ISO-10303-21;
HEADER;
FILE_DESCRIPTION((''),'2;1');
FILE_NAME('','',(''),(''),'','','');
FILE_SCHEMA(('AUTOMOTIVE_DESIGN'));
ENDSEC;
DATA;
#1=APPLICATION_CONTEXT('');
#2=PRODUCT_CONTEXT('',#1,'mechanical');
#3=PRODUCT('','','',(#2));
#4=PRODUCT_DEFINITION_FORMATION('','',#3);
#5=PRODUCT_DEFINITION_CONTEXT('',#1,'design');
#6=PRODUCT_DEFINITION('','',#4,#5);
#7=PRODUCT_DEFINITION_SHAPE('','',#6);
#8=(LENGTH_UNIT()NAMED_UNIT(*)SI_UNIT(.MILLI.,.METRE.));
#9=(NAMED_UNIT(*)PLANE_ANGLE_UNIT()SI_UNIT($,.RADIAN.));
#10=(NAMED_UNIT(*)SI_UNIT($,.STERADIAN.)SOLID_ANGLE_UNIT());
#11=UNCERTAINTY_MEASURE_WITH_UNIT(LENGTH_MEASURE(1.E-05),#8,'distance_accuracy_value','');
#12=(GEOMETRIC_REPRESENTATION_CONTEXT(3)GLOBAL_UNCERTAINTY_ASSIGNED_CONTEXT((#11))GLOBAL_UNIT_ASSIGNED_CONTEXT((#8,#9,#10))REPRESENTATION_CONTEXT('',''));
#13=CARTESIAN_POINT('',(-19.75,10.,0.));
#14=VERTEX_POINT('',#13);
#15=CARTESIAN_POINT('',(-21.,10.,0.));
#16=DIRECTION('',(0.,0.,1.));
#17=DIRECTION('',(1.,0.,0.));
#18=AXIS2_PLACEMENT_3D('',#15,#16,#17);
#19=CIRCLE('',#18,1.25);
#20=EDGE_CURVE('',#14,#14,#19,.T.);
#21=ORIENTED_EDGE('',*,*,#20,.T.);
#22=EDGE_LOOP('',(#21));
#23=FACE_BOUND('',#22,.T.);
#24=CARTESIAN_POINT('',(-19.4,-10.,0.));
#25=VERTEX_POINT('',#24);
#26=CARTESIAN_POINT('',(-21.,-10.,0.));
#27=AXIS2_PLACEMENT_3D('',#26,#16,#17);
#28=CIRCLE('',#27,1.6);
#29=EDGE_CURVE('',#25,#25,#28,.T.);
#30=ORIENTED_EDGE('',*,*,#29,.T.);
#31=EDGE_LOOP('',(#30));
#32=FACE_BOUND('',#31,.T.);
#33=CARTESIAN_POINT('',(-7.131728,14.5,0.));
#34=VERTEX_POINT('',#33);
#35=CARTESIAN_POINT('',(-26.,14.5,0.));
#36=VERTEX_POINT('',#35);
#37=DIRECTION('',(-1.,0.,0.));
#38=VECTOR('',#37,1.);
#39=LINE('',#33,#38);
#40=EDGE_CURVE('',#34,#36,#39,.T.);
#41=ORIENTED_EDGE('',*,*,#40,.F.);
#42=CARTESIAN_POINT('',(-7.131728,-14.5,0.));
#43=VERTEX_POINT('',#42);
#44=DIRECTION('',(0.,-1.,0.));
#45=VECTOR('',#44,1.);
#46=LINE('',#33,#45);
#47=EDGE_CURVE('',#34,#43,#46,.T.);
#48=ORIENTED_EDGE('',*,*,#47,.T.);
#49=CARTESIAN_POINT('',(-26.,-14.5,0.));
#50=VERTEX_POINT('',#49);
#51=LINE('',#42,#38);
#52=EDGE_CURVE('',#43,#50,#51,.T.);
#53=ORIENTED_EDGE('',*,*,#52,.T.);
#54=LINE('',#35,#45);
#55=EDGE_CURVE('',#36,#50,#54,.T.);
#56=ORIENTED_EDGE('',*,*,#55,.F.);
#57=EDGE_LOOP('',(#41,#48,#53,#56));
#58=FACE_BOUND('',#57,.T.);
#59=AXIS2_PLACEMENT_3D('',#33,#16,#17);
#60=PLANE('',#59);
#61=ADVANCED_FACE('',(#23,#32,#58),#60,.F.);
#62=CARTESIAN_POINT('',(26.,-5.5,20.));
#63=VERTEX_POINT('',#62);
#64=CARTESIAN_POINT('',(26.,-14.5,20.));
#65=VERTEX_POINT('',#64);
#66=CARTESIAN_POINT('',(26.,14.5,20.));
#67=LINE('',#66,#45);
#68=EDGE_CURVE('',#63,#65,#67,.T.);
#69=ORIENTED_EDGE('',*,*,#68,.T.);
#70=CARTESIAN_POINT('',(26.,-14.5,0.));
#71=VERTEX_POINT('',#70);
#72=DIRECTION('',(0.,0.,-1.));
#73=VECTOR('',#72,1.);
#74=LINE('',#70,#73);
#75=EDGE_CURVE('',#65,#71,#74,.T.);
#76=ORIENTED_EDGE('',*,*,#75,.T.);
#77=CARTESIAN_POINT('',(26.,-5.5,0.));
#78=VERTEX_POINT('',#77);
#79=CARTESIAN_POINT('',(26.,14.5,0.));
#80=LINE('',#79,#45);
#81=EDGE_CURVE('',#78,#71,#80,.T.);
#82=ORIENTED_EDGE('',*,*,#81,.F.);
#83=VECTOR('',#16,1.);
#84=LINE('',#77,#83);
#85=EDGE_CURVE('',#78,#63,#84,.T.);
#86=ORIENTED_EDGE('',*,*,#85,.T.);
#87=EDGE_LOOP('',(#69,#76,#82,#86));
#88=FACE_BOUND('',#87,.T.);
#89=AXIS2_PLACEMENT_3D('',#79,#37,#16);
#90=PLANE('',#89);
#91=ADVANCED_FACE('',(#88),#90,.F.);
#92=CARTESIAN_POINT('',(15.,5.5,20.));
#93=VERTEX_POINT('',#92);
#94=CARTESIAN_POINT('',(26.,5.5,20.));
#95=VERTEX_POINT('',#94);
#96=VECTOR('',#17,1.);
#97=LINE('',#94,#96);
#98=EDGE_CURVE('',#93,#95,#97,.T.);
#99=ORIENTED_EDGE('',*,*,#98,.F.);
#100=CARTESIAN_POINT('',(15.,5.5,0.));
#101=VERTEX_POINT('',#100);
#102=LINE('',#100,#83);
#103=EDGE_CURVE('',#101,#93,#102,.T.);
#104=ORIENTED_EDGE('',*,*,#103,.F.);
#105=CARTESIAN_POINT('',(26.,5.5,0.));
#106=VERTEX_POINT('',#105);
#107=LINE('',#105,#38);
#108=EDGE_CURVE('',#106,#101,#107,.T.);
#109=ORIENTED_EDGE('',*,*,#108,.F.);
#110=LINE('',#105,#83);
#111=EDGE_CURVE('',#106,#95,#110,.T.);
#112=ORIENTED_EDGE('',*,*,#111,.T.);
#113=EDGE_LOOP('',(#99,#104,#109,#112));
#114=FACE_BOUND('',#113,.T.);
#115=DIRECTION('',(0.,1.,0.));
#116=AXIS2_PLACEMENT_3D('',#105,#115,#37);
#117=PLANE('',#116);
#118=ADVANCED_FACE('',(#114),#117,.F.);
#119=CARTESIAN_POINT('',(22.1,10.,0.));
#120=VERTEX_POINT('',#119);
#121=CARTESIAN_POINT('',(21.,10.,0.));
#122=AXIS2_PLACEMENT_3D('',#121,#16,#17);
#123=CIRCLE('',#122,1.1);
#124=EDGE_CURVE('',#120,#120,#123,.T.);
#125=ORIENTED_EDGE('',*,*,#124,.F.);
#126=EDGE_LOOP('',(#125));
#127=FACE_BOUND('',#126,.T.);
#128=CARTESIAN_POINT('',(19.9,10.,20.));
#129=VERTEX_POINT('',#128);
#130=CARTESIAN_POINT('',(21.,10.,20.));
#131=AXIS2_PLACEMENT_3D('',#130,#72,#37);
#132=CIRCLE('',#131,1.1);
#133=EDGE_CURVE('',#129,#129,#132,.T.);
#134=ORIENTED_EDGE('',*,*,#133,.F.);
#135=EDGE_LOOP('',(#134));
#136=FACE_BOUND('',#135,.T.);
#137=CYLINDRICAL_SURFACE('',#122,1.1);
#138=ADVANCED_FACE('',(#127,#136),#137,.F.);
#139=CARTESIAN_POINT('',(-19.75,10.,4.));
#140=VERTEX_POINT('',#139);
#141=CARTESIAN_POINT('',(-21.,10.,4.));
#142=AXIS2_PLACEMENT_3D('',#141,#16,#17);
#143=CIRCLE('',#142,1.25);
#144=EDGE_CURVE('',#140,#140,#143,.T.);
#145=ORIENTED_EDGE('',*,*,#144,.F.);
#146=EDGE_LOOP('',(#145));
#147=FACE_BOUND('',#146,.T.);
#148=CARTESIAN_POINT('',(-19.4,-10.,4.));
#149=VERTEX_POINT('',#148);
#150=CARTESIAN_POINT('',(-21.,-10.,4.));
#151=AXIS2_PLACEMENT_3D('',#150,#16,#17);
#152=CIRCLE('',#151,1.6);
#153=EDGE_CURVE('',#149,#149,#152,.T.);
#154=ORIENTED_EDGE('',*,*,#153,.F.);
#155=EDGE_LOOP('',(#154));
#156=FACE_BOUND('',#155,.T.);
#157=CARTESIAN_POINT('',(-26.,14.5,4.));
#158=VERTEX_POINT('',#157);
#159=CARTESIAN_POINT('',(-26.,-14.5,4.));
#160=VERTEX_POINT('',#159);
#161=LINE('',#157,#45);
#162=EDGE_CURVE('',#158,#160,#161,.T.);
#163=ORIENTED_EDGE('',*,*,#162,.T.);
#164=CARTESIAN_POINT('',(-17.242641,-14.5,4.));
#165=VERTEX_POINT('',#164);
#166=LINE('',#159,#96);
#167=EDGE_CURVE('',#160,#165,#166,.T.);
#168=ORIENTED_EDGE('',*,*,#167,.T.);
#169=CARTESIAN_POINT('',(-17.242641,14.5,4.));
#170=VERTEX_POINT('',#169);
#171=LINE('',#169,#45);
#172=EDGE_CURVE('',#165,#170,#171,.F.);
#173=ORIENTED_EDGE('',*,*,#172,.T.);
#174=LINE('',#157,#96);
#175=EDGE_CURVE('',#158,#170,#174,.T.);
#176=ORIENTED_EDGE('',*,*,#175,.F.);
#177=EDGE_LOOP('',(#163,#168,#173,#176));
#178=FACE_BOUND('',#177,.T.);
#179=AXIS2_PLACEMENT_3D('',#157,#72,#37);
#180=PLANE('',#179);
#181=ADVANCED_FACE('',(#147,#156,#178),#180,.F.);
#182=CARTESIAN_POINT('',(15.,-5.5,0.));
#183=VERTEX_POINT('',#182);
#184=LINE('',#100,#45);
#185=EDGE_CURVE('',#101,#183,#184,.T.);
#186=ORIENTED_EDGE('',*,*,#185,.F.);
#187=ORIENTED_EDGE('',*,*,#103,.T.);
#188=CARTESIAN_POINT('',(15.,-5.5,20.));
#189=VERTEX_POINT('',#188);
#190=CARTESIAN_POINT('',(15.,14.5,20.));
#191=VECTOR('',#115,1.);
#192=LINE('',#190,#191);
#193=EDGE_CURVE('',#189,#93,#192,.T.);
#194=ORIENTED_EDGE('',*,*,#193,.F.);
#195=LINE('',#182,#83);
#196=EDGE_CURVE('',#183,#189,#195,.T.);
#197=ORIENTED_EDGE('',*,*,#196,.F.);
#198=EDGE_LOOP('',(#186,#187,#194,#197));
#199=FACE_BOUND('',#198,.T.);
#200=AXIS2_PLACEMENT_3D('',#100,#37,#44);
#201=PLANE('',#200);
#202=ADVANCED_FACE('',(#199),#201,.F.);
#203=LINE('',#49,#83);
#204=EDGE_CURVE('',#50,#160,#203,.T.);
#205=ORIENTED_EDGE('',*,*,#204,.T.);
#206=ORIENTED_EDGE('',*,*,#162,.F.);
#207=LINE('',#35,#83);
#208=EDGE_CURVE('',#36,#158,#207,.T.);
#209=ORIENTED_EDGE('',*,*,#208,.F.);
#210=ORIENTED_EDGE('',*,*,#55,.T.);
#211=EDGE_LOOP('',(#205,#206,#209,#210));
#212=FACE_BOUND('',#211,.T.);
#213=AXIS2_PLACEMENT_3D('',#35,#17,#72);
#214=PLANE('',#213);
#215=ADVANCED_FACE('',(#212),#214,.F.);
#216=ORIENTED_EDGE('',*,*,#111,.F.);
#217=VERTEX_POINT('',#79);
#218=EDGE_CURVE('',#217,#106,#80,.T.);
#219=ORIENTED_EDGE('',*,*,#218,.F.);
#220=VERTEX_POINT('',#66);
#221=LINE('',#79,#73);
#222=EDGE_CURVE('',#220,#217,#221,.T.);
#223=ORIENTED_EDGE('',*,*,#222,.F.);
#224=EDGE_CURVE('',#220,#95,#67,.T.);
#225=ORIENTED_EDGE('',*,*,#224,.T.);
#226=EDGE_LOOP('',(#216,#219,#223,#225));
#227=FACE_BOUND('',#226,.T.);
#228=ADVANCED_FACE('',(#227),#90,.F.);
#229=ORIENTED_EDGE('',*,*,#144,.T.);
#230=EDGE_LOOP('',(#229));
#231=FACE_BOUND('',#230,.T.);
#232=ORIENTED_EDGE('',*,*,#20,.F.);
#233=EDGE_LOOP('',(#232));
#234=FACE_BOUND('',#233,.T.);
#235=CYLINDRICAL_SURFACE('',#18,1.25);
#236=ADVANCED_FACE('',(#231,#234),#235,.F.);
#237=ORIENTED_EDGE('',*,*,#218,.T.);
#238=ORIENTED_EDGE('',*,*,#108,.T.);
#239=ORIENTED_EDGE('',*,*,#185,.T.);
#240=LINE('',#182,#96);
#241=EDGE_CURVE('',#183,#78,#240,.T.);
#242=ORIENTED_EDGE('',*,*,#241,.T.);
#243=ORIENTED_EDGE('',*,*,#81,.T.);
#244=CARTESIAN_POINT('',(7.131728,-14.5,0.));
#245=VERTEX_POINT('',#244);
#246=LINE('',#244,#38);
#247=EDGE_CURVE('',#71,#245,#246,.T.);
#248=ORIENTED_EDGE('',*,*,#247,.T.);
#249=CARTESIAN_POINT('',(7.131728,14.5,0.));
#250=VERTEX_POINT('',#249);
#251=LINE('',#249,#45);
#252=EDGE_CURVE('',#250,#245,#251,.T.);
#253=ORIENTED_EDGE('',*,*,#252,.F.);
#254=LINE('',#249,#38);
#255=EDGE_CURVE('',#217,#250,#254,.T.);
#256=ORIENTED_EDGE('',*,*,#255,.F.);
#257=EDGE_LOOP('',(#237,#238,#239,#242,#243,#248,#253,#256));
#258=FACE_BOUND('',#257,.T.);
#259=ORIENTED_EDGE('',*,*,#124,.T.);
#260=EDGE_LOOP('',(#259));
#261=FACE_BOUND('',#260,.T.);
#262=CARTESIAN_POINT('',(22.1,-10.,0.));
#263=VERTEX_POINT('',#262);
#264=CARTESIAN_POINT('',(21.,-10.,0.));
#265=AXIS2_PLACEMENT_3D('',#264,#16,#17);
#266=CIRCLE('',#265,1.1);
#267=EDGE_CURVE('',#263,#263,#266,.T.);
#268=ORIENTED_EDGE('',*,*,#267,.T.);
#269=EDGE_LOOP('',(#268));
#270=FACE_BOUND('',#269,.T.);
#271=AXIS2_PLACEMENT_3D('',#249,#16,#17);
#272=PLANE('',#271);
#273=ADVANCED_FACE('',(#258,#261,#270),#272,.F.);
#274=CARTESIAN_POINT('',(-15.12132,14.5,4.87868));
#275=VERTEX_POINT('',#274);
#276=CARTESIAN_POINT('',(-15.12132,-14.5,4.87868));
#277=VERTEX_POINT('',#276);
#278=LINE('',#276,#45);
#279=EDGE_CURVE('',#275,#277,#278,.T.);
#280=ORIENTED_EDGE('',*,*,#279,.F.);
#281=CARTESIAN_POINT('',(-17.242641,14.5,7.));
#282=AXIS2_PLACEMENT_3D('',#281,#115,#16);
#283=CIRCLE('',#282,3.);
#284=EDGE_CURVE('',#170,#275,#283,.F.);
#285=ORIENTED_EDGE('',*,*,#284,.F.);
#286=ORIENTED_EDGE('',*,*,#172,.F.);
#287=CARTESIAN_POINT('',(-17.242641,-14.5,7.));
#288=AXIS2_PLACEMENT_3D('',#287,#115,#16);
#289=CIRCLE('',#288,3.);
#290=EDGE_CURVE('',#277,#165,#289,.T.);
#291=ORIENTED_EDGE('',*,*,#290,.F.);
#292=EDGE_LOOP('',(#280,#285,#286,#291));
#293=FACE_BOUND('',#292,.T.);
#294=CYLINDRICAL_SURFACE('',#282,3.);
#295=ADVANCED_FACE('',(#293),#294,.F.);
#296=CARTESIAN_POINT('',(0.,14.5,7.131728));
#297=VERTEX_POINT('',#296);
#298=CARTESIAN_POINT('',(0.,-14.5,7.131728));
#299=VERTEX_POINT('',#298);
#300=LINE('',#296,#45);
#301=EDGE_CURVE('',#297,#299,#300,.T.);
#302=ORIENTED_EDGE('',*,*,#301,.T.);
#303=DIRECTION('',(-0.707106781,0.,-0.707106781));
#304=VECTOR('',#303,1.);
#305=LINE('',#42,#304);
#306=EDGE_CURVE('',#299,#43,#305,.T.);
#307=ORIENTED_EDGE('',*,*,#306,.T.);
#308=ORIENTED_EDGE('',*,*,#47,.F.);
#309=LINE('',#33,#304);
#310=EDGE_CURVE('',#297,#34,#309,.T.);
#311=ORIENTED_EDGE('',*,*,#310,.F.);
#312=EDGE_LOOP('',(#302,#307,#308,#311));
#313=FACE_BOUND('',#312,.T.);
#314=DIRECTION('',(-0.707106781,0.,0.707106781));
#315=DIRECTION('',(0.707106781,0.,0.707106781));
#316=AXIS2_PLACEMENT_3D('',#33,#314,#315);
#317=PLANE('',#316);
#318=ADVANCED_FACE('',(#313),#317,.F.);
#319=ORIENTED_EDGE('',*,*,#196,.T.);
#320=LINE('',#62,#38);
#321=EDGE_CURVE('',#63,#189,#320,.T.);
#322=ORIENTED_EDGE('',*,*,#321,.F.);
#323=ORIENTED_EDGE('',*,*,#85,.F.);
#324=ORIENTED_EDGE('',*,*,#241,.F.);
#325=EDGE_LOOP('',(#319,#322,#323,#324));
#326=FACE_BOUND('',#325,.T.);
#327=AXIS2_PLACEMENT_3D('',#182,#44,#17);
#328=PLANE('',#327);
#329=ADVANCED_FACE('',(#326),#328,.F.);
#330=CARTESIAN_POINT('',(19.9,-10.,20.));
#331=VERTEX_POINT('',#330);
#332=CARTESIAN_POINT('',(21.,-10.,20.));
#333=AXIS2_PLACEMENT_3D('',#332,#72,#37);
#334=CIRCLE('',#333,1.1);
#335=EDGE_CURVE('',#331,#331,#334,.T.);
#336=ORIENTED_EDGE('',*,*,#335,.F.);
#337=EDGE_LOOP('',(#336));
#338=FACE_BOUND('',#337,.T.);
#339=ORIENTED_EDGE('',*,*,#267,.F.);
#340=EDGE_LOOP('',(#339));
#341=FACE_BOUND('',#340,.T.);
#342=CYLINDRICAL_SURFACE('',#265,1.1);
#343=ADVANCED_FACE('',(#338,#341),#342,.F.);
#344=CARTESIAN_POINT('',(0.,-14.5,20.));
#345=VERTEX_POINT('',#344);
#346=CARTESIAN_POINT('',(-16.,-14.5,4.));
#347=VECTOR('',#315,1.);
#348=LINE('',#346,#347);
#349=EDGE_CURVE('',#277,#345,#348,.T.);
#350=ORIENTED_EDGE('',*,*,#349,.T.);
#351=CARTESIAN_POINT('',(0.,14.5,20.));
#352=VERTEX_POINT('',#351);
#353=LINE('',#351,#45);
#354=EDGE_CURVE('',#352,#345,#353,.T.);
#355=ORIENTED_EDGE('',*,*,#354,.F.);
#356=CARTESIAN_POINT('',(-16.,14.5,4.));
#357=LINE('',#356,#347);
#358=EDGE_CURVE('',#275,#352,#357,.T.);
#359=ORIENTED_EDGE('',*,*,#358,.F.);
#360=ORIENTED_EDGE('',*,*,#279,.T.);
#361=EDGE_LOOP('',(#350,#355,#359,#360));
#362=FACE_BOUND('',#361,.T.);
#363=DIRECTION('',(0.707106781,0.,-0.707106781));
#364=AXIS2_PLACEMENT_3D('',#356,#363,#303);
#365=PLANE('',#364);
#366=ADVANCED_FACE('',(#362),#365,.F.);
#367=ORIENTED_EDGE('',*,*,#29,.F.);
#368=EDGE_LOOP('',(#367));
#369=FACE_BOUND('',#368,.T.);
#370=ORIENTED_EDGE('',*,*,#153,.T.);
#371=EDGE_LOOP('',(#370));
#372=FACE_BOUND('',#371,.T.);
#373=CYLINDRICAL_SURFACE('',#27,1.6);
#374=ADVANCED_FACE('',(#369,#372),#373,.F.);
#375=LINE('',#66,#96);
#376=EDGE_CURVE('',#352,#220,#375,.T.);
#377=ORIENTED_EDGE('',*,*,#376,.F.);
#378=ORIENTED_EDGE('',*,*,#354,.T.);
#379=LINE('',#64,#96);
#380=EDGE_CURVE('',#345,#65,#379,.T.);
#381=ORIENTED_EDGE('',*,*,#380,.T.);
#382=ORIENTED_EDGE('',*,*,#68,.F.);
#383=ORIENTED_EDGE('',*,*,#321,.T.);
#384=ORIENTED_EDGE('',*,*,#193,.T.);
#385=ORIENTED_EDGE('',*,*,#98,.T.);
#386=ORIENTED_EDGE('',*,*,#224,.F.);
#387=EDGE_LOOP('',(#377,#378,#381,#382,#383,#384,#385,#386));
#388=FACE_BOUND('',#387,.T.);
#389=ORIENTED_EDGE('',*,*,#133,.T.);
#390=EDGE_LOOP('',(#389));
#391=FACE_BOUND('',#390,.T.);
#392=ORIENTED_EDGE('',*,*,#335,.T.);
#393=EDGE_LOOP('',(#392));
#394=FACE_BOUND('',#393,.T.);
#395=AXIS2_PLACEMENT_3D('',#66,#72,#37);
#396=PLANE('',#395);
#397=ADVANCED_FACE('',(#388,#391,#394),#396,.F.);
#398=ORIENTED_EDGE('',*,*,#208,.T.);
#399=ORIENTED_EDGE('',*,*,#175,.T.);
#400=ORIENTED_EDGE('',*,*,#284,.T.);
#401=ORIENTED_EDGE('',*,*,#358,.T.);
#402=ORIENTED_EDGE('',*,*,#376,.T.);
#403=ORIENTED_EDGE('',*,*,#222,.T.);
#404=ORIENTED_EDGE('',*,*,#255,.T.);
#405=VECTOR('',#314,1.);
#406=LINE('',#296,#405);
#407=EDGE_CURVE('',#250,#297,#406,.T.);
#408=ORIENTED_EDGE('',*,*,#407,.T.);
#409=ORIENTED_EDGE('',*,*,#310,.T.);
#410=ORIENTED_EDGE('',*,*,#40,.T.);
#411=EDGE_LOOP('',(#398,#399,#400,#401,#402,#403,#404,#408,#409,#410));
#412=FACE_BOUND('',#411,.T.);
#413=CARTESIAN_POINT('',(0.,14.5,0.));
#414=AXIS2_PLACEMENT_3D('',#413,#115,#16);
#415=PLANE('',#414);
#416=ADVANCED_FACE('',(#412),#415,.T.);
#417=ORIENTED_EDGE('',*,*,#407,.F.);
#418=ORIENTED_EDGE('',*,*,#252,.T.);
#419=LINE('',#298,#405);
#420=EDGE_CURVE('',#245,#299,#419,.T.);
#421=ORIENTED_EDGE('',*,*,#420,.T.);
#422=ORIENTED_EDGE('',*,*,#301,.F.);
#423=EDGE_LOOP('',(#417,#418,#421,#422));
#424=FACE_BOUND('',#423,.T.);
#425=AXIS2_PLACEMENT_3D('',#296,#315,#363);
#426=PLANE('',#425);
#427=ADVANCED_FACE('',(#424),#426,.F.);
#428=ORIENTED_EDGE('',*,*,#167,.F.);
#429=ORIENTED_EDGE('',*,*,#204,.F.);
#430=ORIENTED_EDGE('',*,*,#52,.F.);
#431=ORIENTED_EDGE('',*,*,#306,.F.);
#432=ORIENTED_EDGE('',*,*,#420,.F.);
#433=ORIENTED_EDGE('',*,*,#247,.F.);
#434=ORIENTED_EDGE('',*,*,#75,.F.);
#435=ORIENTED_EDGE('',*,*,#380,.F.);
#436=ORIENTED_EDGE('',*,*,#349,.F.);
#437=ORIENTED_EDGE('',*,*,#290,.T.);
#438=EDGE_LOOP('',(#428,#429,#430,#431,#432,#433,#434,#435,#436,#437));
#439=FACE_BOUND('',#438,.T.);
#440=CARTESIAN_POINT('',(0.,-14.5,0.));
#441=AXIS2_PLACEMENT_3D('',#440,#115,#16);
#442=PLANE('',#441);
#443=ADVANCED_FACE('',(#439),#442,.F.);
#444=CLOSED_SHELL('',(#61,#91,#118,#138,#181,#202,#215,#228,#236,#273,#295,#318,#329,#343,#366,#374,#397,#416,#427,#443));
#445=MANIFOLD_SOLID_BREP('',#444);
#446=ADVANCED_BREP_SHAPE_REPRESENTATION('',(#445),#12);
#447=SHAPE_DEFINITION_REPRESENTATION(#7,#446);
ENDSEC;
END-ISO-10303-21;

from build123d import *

# Parameters (mm, degrees)
BOSS_EXTRUDE1_DEPTH     = 14.5
CUT_EXTRUDE2_DEPTH      = 36.864327681
CUT_EXTRUDE2_DEPTH_BACK = 36.864327681
SKETCH4_R               = 1.1
SKETCH4_W               = 11
SKETCH4_H               = 11
SKETCH5_R               = 1.25
SKETCH5_R_2             = 1.6
CUT_EXTRUDE3_DEPTH      = 34.797189232
FILLET1_R               = 3


with BuildPart() as part:
    # Sketch1 → Boss-Extrude1 (new, symmetric)
    with BuildSketch(Plane(origin=(0, 0, 0), x_dir=(1, 0, 0), z_dir=(0, 1, 0))):
        Polygon((-7.131727984, 0), (-26, 0), (-26, -4), (-16, -4), (0, -20), (26, -20), (26, 0), (7.131727984, 0), (0, -7.131727984), align=None)
    extrude(amount=BOSS_EXTRUDE1_DEPTH, both=True)

    # Sketch4 → Cut-Extrude2 (cut, two sides: drawn at the far end of the back side and taken through both)
    with BuildSketch(Plane.XY.offset(20).offset(-CUT_EXTRUDE2_DEPTH_BACK)):
        with Locations((21, 10)):
            Circle(SKETCH4_R)
        with Locations((21, -10)):
            Circle(SKETCH4_R)
        with Locations((20.5, 0)):
            Rectangle(SKETCH4_W, SKETCH4_H)
    extrude(amount=CUT_EXTRUDE2_DEPTH + CUT_EXTRUDE2_DEPTH_BACK, mode=Mode.SUBTRACT)

    # Sketch5 → Cut-Extrude3 (cut, through all)
    with BuildSketch(Plane.XY.offset(4)):
        with Locations((-21, 10)):
            Circle(SKETCH5_R)
        with Locations((-21, -10)):
            Circle(SKETCH5_R_2)
    extrude(amount=-CUT_EXTRUDE3_DEPTH, mode=Mode.SUBTRACT)

    # Fillet1
    fillet1_edges = [part.edges().sort_by_distance(p)[0] for p in [
        (-16, 0, 4),
    ]]
    fillet(fillet1_edges, radius=FILLET1_R)


solid = part.part
